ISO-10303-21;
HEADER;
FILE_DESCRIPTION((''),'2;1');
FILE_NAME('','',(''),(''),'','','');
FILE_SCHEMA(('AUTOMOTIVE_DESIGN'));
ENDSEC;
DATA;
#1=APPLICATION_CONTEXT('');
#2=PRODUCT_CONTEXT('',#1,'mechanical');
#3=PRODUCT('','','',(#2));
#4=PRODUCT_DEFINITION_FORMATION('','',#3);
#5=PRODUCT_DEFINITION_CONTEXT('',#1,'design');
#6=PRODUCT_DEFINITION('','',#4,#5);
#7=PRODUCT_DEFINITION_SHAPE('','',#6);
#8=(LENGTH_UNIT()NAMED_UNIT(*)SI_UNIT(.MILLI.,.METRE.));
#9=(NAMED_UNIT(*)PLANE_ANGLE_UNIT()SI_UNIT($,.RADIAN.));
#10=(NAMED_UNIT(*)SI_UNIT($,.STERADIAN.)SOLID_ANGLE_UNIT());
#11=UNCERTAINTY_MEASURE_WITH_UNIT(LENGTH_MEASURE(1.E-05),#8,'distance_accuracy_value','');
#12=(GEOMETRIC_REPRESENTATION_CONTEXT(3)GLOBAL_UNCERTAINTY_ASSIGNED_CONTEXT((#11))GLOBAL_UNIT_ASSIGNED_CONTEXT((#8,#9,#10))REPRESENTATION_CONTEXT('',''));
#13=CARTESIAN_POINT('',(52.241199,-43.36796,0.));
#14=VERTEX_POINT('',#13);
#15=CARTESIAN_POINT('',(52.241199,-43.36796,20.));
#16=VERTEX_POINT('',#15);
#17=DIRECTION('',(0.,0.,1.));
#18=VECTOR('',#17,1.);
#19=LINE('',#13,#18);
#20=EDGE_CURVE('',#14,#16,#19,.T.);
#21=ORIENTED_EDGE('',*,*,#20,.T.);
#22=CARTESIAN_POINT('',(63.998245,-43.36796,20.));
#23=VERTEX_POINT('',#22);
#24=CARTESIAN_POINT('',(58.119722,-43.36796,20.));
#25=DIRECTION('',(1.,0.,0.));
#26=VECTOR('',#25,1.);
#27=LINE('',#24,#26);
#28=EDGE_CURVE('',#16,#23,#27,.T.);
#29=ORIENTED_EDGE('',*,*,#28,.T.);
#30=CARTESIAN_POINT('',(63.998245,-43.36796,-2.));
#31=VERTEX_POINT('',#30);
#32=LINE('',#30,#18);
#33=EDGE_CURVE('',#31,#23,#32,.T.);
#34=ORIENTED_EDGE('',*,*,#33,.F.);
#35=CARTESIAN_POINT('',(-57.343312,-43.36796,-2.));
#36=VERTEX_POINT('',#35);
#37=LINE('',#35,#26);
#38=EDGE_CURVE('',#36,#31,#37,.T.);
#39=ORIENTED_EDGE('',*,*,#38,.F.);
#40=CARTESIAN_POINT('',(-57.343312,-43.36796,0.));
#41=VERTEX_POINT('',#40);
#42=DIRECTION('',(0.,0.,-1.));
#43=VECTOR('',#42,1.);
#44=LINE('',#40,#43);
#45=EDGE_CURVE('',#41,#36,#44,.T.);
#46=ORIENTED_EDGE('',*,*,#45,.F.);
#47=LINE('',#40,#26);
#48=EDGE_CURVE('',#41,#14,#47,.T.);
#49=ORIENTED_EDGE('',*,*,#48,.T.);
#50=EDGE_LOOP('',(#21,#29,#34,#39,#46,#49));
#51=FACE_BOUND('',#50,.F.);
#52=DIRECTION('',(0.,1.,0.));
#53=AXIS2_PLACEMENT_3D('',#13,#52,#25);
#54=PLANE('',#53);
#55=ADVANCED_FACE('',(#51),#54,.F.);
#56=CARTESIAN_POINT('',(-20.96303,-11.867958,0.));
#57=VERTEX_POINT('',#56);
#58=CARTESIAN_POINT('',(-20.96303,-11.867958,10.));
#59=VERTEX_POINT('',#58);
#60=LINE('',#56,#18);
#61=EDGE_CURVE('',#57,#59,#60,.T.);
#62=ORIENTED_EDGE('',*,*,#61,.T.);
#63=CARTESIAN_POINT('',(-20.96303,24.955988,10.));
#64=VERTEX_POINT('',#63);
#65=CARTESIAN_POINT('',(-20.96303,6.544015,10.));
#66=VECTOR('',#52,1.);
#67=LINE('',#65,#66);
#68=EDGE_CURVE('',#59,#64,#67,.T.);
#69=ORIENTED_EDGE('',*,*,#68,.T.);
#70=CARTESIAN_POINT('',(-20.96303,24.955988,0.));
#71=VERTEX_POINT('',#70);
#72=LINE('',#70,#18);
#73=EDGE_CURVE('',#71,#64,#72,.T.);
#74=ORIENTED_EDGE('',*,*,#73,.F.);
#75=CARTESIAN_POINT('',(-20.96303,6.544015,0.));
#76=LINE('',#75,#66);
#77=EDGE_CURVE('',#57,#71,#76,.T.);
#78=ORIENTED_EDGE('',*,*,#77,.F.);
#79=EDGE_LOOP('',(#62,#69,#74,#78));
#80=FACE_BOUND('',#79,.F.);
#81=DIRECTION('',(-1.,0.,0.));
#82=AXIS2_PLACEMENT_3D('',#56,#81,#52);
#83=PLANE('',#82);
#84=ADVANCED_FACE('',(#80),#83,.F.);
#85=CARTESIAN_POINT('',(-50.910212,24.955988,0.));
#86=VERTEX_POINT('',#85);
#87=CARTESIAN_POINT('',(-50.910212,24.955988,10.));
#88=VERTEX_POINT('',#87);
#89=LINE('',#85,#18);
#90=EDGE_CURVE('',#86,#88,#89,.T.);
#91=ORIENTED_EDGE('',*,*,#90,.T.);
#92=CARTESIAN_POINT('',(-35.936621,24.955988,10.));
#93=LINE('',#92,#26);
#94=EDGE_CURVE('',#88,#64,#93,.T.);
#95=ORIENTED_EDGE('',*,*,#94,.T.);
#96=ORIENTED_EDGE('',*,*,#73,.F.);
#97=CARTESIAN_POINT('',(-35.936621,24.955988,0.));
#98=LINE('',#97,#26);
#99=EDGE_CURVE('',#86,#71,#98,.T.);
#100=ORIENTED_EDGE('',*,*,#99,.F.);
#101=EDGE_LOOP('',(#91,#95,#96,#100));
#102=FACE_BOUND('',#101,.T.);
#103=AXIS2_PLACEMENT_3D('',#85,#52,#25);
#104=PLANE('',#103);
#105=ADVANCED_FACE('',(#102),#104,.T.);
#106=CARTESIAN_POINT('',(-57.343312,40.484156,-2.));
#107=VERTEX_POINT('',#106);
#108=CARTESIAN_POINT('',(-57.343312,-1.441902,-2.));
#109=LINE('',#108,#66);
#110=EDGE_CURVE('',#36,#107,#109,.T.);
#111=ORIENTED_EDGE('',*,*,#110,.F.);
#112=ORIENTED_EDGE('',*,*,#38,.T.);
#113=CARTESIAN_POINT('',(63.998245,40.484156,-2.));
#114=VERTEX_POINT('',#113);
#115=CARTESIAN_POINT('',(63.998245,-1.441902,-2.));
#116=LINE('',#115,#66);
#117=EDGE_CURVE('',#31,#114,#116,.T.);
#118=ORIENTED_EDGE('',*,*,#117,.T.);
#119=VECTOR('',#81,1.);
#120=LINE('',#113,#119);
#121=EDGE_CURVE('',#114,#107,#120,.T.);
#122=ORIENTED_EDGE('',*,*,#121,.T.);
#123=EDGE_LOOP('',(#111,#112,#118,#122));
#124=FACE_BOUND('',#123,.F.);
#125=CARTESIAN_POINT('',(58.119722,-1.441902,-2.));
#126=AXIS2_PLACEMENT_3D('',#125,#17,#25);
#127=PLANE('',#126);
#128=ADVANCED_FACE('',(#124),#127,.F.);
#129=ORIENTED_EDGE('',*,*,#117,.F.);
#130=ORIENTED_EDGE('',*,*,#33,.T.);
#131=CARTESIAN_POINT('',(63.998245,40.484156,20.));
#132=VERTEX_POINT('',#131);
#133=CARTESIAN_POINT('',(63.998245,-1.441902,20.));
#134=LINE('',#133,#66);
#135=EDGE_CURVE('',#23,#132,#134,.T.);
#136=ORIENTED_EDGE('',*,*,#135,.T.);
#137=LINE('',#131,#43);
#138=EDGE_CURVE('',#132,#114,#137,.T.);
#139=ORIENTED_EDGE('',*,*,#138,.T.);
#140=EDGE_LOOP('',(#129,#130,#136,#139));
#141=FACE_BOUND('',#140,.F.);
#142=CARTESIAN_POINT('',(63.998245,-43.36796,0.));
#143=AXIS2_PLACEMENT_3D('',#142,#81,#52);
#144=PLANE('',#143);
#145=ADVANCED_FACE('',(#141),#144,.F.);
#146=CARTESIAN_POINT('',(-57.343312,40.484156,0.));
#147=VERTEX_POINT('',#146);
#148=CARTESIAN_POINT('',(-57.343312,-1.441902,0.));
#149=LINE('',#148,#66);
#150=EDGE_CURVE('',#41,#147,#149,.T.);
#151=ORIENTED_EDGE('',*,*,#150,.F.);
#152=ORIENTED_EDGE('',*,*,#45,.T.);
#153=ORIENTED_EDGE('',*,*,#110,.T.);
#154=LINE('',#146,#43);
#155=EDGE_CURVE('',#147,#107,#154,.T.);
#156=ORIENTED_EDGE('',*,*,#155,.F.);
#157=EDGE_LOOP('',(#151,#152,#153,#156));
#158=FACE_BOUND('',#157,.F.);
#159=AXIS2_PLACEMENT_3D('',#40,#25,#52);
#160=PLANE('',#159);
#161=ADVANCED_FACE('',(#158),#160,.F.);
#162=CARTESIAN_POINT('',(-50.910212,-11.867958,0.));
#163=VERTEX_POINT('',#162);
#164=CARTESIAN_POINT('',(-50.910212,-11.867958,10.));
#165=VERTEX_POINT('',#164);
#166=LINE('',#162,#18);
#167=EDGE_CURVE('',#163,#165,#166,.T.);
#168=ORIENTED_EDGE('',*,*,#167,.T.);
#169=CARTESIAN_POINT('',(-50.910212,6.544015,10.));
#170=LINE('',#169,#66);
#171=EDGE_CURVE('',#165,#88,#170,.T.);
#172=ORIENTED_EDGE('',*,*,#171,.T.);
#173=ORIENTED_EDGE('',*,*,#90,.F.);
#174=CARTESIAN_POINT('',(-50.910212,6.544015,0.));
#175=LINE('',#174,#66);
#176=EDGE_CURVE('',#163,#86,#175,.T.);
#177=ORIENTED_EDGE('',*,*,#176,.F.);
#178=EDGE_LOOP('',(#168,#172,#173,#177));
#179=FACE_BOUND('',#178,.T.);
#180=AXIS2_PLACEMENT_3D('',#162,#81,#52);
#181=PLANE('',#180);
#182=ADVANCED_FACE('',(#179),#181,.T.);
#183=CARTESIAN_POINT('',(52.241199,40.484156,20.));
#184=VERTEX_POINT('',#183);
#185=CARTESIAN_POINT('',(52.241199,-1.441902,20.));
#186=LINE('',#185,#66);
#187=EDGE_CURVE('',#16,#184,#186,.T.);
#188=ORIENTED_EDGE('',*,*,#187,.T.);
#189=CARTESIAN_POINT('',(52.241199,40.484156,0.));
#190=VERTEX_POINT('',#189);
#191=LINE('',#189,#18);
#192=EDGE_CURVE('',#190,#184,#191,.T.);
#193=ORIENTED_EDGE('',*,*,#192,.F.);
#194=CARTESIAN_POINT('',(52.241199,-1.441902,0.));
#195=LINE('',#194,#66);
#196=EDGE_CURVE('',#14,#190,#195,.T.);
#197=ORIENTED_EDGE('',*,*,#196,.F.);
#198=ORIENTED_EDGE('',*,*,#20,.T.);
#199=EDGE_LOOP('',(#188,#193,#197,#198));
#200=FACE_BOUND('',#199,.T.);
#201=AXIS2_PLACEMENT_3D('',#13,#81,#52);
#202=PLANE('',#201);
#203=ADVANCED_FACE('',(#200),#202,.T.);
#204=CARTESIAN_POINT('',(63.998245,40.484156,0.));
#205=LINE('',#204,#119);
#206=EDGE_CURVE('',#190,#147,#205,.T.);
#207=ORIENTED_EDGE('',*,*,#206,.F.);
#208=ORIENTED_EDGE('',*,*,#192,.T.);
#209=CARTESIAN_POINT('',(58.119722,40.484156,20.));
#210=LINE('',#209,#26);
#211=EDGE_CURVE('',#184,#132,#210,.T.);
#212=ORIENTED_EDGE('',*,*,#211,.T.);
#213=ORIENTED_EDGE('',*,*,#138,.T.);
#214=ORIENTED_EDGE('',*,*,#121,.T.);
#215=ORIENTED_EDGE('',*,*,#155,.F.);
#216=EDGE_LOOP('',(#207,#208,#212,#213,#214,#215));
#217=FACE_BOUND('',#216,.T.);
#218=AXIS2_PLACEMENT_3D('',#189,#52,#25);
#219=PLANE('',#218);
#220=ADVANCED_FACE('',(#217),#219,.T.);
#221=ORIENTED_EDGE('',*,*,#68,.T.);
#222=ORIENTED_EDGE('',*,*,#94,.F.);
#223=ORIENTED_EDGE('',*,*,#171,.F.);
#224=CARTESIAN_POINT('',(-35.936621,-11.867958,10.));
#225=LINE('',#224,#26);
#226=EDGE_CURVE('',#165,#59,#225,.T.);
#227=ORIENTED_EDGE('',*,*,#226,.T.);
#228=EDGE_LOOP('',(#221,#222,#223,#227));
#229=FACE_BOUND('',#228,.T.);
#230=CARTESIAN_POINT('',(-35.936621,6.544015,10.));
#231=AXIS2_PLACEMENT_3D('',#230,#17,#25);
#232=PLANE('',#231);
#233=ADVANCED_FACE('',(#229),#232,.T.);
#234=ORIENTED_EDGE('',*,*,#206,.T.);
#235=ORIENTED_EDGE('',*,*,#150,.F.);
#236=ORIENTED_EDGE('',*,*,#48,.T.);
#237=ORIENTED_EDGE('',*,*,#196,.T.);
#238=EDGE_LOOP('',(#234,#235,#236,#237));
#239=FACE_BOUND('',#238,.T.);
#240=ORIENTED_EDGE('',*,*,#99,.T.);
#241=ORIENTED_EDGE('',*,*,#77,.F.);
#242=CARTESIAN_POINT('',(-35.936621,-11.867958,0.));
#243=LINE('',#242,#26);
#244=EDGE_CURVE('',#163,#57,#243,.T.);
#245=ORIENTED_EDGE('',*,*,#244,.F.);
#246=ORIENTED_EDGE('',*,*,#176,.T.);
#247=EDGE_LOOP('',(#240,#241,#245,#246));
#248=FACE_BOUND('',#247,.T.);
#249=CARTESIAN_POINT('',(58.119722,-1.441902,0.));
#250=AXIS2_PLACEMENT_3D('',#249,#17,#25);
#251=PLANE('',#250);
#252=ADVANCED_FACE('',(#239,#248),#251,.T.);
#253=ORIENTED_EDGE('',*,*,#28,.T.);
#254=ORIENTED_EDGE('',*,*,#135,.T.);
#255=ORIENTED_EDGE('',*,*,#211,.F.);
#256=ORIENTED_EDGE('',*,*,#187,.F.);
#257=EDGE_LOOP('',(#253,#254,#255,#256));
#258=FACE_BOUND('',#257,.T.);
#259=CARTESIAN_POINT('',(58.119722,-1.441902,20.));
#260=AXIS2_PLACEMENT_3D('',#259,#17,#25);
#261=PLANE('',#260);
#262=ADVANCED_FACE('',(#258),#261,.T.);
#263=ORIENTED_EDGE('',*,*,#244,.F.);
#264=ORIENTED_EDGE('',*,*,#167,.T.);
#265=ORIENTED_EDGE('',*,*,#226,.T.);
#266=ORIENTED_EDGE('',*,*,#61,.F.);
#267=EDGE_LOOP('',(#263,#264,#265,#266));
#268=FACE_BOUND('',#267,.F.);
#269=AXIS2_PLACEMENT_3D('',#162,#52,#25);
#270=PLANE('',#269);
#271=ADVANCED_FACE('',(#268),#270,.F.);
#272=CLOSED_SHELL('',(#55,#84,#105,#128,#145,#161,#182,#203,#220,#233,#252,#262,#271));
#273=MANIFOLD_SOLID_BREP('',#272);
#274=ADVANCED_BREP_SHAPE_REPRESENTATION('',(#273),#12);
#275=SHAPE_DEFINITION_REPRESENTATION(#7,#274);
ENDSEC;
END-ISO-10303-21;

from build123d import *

# Parameters (mm, degrees)
F0_W     = 11.7570459843
F0_H     = 83.8521160185
F0_W_2   = 109.5845103264
F0_W_3   = 29.9471821636
F0_H_2   = 36.8239460513
F1_DEPTH = 2
F2_DEPTH = 10
F3_DEPTH = 20


with BuildPart() as f1:
    # F0 (on Top) → F1 (new body)
    with BuildSketch(Plane.XY):
        with Locations((58.1197217107, -1.4419015497)):
            Rectangle(F0_W, F0_H)
        with Locations((-2.5510564446, -1.4419015497)):
            Rectangle(F0_W_2, F0_H)
        with Locations((-35.9366210178, 6.5440149046)):
            Rectangle(F0_W_3, F0_H_2, mode=Mode.SUBTRACT)
        with Locations((-35.9366210178, 6.5440149046)):
            Rectangle(F0_W_3, F0_H_2)
    extrude(amount=-F1_DEPTH)

    # F0 (on Top) → F2 (join)
    with BuildSketch(Plane.XY):
        with Locations((-35.9366210178, 6.5440149046)):
            Rectangle(F0_W_3, F0_H_2)
    extrude(amount=F2_DEPTH)

    # F0 (on Top) → F3 (join)
    with BuildSketch(Plane.XY):
        with Locations((58.1197217107, -1.4419015497)):
            Rectangle(F0_W, F0_H)
    extrude(amount=F3_DEPTH)


solid = f1.part
